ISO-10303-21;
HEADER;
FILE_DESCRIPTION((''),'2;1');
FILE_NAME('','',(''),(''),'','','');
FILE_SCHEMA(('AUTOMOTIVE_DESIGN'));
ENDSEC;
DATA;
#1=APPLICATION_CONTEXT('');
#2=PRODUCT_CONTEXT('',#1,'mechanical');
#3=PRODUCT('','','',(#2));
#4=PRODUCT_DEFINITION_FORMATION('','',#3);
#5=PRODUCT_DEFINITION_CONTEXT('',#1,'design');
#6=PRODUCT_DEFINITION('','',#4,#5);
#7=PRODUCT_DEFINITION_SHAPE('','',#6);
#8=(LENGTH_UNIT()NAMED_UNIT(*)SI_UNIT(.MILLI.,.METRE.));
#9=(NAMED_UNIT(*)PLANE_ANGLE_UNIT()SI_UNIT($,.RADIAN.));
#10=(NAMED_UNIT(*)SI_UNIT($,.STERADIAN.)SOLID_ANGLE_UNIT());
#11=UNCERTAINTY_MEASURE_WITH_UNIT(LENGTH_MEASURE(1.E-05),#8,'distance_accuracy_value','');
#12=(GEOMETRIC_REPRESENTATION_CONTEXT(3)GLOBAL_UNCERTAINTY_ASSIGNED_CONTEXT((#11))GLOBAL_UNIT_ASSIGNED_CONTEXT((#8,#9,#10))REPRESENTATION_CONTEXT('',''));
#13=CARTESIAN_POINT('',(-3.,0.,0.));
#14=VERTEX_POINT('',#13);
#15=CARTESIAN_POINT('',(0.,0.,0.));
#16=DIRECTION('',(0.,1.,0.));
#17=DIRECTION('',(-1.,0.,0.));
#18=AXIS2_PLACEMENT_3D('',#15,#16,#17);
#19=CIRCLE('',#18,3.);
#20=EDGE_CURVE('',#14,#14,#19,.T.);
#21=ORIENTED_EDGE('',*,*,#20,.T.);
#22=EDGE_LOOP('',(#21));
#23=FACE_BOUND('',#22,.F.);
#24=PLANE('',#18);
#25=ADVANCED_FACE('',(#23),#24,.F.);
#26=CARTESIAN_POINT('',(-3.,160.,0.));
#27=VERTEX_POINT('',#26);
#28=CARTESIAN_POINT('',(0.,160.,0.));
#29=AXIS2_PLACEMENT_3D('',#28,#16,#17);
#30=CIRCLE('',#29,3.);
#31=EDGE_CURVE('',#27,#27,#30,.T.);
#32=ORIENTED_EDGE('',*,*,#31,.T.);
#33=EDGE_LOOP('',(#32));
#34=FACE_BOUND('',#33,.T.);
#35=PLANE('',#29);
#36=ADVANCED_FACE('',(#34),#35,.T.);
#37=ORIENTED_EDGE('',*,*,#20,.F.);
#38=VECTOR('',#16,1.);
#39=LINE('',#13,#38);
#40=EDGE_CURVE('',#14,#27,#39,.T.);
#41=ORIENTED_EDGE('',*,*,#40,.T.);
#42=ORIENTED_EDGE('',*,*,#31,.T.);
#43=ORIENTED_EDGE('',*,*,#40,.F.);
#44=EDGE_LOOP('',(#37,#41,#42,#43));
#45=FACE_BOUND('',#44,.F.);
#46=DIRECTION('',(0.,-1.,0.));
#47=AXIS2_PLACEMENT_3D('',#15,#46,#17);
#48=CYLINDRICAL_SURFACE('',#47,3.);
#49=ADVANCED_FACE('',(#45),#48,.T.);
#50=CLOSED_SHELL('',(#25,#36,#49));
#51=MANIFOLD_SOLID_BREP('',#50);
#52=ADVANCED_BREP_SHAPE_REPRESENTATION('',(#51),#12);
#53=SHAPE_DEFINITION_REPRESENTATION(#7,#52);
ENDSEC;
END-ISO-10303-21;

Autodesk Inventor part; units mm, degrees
ref_plane "YZ Plane" through (0, 0, 0) normal (1, 0, 0) x (0, 1, 0)
ref_plane "XZ Plane" through (0, 0, 0) normal (0, 1, 0) x (-1, 0, 0)
ref_plane "XY Plane" through (0, 0, 0) normal (0, 0, 1) x (1, 0, 0)
sketch "Skizze1" plane through (0, 0, 0) normal (0, 1, 0) x (-1, 0, 0)
  circle A0 centre (0, 0) radius 3
  dimension "d0" = 6
extrude "Extrusion1" add sketch "Skizze1" along normal blind 160
thread "Gewinde1" size "M6x1" class "6g" standard "ANSI Metric M Profile" length 6
properties part number "Stativstange"
